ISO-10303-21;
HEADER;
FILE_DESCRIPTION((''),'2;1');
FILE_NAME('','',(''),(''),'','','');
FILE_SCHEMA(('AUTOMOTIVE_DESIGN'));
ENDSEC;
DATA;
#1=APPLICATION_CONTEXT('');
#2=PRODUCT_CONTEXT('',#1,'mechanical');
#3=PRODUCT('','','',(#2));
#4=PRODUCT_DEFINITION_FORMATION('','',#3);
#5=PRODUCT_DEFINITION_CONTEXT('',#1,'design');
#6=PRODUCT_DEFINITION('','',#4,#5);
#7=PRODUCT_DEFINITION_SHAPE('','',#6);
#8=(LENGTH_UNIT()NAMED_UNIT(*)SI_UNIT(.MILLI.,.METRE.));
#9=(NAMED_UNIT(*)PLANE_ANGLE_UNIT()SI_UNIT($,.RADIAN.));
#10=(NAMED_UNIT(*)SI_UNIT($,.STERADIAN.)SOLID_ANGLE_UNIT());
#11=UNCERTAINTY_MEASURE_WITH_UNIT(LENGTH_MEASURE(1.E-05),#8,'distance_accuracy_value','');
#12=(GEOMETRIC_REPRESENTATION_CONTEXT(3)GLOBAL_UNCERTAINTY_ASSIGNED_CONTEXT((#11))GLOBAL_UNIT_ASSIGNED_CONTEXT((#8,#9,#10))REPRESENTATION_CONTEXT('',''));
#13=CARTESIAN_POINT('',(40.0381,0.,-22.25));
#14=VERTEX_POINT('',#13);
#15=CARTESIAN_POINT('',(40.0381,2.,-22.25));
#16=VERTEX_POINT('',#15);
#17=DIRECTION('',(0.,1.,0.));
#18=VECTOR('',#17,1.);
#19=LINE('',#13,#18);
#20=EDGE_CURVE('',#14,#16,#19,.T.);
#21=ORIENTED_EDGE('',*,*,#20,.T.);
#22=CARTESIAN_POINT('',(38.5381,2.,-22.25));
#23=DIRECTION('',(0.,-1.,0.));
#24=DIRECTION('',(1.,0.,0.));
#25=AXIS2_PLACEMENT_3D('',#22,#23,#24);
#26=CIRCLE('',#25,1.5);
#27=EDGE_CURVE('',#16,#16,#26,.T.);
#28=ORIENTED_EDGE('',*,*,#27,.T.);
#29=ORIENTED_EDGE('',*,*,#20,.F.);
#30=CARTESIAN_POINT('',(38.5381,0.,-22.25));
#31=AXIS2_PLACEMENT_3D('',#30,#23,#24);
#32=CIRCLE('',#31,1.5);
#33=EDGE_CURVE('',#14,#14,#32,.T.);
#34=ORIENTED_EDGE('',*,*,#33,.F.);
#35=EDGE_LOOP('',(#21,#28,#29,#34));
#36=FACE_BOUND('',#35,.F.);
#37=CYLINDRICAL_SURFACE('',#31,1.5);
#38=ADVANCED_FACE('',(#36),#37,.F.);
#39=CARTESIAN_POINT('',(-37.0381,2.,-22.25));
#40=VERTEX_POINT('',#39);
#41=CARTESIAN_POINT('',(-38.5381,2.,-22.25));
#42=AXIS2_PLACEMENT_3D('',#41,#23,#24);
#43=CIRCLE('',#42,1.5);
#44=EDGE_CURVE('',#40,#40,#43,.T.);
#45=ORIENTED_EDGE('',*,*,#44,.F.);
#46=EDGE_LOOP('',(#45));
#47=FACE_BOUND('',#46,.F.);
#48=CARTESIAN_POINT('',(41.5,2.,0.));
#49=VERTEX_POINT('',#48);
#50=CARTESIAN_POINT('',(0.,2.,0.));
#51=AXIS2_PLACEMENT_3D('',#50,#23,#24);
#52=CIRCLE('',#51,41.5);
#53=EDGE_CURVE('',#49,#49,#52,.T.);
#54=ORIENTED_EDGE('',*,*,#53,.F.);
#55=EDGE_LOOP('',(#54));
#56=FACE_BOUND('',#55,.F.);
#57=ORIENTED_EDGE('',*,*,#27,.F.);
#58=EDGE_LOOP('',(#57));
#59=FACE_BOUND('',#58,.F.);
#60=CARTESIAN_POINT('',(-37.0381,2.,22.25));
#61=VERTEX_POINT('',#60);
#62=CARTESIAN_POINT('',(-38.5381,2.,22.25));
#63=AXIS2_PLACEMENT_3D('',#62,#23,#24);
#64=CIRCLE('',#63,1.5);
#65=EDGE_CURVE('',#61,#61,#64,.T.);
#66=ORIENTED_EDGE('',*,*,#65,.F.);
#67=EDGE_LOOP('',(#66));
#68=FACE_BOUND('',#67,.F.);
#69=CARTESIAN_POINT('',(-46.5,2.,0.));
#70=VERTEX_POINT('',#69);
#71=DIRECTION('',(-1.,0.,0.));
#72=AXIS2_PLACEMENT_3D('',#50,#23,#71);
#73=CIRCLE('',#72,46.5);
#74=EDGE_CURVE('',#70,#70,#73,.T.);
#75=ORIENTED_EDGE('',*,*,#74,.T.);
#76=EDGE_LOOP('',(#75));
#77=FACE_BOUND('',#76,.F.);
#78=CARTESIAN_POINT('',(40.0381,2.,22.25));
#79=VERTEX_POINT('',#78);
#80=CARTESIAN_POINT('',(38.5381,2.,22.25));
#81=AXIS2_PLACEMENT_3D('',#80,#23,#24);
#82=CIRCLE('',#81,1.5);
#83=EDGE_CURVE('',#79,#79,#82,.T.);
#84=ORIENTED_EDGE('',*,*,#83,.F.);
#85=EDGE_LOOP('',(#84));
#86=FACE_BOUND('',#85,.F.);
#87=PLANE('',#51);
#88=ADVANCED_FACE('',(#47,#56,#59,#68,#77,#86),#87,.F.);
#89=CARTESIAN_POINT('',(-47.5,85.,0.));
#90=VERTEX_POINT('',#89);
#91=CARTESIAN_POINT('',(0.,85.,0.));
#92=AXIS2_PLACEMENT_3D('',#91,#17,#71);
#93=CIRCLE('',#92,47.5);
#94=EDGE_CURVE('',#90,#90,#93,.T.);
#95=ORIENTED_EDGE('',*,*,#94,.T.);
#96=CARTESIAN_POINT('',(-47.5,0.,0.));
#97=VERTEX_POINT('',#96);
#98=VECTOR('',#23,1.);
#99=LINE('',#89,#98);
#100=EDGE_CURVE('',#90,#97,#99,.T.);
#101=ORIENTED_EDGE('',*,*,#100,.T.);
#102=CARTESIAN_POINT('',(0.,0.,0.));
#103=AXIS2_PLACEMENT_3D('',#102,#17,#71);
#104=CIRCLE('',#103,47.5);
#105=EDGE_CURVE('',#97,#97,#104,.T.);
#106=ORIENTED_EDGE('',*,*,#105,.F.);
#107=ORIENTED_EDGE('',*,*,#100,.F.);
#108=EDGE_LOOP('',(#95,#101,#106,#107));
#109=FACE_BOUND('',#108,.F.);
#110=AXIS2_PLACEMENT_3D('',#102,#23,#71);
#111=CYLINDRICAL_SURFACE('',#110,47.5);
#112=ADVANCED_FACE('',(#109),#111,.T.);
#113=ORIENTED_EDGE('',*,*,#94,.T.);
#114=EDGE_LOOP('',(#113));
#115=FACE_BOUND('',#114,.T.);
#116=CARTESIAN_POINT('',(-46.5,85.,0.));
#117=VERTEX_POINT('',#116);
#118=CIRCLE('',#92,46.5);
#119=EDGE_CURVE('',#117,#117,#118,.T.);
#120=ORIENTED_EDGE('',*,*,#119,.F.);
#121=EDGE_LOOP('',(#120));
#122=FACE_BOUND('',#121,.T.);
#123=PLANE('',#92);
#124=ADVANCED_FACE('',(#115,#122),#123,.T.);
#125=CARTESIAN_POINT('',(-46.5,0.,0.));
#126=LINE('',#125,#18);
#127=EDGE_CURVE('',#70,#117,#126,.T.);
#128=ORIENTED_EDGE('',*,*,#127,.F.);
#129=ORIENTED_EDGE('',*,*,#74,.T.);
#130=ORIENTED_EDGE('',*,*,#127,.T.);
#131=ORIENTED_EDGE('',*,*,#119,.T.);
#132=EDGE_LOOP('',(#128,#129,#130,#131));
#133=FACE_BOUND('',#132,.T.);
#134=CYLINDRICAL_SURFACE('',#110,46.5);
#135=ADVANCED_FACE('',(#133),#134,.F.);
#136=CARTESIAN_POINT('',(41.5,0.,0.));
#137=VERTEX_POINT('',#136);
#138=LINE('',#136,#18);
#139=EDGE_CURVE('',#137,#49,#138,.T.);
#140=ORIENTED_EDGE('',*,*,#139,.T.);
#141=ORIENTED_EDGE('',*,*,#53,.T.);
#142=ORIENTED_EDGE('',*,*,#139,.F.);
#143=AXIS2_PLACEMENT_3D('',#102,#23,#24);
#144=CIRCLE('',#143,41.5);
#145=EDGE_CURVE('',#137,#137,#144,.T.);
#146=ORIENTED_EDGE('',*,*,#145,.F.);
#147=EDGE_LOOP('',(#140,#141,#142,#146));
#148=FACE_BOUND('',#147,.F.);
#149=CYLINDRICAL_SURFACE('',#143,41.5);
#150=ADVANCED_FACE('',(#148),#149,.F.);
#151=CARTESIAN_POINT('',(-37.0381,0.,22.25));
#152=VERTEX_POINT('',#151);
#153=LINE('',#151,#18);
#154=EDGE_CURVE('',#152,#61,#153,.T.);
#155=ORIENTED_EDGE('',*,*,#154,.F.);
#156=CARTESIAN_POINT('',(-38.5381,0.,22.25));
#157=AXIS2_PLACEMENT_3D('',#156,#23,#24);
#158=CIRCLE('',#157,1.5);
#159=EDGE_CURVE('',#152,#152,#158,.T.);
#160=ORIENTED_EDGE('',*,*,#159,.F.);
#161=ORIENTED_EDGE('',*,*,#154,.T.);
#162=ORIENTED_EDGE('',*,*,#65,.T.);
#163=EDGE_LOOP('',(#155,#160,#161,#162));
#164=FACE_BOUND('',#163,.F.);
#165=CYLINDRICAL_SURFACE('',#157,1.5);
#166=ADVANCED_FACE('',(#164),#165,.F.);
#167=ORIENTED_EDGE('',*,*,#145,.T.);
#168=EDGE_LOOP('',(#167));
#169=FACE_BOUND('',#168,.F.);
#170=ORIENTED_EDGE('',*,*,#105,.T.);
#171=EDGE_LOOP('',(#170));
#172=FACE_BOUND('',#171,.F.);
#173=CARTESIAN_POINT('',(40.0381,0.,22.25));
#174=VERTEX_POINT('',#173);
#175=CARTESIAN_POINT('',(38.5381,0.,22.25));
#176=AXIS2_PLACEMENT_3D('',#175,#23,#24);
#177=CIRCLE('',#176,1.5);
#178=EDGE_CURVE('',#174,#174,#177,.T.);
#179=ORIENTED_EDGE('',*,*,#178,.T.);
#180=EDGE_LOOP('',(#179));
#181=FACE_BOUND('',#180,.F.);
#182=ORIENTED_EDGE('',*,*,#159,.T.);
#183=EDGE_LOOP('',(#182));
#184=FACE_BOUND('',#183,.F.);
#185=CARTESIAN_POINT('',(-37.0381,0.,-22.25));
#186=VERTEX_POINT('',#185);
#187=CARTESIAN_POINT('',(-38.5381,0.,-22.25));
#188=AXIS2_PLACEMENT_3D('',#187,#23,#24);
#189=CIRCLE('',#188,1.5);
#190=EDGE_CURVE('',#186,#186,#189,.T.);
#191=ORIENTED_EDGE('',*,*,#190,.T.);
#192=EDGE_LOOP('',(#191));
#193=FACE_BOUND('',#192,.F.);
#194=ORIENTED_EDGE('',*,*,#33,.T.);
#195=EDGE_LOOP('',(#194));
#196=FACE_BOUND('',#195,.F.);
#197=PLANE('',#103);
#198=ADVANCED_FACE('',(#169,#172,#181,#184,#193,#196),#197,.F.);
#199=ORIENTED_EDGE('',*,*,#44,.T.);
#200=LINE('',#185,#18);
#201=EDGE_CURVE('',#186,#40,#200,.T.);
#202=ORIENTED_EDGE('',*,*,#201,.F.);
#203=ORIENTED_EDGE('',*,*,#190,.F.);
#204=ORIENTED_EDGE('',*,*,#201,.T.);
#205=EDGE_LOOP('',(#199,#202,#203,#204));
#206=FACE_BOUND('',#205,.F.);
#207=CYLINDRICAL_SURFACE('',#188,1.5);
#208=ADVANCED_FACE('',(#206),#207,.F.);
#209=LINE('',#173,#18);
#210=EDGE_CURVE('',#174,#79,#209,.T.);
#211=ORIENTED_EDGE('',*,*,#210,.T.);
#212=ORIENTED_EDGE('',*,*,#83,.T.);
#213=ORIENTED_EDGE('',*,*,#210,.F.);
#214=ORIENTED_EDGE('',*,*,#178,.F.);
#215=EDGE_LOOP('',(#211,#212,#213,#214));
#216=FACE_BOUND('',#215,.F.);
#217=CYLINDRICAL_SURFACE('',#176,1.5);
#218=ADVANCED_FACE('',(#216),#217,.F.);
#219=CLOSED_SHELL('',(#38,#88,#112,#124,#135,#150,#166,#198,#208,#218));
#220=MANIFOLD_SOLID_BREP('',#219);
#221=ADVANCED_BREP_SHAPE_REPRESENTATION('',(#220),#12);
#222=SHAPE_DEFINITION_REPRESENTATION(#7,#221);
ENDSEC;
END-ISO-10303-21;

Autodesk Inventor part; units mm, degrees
ref_plane "YZ Plane" through (0, 0, 0) normal (1, 0, 0) x (0, 1, 0)
ref_plane "XZ Plane" through (0, 0, 0) normal (0, 1, 0) x (-1, 0, 0)
ref_plane "XY Plane" through (0, 0, 0) normal (0, 0, 1) x (1, 0, 0)
sketch "Sketch1" plane through (0, 0, 0) normal (0, 1, 0) x (-1, 0, 0)
  circle A0 centre (0, 0) radius 46.5
  circle A1 centre (0, 0) radius 47.5
  dimension "d0" = 93
  dimension "d1" = 95
extrude "Extrusion1" add sketch "Sketch1" along normal blind 85
sketch "Sketch2" plane through (0, 0, 0) normal (0, -1, 0) x (1, 0, 0)
  circle A0 centre (0, 0) radius 41.5
  circle A1 centre (0, 0) radius 47.5 projected
  dimension "d4" = 83
extrude "Extrusion2" add sketch "Sketch2" against normal blind 2
sketch "Sketch3" plane through (0, 0, 0) normal (0, -1, 0) x (1, 0, 0)
  circle A0 centre (0, 44.5) radius 1.5
  circle A1 centre (-38.5381, 22.25) radius 1.5
  circle A2 centre (-38.5381, -22.25) radius 1.5
  circle A3 centre (0, -44.5) radius 1.5
  circle A4 centre (38.5381, -22.25) radius 1.5
  circle A5 centre (38.5381, 22.25) radius 1.5
  point P0 (0, 0)
  dimension "d7" = 3
  dimension "d8" = 44.5
  dimension "d11" = 360
extrude "Extrusion3" cut sketch "Sketch3" against normal blind 10 contours A1 | A2 | A4 | A5
properties part number "Outer casing"
